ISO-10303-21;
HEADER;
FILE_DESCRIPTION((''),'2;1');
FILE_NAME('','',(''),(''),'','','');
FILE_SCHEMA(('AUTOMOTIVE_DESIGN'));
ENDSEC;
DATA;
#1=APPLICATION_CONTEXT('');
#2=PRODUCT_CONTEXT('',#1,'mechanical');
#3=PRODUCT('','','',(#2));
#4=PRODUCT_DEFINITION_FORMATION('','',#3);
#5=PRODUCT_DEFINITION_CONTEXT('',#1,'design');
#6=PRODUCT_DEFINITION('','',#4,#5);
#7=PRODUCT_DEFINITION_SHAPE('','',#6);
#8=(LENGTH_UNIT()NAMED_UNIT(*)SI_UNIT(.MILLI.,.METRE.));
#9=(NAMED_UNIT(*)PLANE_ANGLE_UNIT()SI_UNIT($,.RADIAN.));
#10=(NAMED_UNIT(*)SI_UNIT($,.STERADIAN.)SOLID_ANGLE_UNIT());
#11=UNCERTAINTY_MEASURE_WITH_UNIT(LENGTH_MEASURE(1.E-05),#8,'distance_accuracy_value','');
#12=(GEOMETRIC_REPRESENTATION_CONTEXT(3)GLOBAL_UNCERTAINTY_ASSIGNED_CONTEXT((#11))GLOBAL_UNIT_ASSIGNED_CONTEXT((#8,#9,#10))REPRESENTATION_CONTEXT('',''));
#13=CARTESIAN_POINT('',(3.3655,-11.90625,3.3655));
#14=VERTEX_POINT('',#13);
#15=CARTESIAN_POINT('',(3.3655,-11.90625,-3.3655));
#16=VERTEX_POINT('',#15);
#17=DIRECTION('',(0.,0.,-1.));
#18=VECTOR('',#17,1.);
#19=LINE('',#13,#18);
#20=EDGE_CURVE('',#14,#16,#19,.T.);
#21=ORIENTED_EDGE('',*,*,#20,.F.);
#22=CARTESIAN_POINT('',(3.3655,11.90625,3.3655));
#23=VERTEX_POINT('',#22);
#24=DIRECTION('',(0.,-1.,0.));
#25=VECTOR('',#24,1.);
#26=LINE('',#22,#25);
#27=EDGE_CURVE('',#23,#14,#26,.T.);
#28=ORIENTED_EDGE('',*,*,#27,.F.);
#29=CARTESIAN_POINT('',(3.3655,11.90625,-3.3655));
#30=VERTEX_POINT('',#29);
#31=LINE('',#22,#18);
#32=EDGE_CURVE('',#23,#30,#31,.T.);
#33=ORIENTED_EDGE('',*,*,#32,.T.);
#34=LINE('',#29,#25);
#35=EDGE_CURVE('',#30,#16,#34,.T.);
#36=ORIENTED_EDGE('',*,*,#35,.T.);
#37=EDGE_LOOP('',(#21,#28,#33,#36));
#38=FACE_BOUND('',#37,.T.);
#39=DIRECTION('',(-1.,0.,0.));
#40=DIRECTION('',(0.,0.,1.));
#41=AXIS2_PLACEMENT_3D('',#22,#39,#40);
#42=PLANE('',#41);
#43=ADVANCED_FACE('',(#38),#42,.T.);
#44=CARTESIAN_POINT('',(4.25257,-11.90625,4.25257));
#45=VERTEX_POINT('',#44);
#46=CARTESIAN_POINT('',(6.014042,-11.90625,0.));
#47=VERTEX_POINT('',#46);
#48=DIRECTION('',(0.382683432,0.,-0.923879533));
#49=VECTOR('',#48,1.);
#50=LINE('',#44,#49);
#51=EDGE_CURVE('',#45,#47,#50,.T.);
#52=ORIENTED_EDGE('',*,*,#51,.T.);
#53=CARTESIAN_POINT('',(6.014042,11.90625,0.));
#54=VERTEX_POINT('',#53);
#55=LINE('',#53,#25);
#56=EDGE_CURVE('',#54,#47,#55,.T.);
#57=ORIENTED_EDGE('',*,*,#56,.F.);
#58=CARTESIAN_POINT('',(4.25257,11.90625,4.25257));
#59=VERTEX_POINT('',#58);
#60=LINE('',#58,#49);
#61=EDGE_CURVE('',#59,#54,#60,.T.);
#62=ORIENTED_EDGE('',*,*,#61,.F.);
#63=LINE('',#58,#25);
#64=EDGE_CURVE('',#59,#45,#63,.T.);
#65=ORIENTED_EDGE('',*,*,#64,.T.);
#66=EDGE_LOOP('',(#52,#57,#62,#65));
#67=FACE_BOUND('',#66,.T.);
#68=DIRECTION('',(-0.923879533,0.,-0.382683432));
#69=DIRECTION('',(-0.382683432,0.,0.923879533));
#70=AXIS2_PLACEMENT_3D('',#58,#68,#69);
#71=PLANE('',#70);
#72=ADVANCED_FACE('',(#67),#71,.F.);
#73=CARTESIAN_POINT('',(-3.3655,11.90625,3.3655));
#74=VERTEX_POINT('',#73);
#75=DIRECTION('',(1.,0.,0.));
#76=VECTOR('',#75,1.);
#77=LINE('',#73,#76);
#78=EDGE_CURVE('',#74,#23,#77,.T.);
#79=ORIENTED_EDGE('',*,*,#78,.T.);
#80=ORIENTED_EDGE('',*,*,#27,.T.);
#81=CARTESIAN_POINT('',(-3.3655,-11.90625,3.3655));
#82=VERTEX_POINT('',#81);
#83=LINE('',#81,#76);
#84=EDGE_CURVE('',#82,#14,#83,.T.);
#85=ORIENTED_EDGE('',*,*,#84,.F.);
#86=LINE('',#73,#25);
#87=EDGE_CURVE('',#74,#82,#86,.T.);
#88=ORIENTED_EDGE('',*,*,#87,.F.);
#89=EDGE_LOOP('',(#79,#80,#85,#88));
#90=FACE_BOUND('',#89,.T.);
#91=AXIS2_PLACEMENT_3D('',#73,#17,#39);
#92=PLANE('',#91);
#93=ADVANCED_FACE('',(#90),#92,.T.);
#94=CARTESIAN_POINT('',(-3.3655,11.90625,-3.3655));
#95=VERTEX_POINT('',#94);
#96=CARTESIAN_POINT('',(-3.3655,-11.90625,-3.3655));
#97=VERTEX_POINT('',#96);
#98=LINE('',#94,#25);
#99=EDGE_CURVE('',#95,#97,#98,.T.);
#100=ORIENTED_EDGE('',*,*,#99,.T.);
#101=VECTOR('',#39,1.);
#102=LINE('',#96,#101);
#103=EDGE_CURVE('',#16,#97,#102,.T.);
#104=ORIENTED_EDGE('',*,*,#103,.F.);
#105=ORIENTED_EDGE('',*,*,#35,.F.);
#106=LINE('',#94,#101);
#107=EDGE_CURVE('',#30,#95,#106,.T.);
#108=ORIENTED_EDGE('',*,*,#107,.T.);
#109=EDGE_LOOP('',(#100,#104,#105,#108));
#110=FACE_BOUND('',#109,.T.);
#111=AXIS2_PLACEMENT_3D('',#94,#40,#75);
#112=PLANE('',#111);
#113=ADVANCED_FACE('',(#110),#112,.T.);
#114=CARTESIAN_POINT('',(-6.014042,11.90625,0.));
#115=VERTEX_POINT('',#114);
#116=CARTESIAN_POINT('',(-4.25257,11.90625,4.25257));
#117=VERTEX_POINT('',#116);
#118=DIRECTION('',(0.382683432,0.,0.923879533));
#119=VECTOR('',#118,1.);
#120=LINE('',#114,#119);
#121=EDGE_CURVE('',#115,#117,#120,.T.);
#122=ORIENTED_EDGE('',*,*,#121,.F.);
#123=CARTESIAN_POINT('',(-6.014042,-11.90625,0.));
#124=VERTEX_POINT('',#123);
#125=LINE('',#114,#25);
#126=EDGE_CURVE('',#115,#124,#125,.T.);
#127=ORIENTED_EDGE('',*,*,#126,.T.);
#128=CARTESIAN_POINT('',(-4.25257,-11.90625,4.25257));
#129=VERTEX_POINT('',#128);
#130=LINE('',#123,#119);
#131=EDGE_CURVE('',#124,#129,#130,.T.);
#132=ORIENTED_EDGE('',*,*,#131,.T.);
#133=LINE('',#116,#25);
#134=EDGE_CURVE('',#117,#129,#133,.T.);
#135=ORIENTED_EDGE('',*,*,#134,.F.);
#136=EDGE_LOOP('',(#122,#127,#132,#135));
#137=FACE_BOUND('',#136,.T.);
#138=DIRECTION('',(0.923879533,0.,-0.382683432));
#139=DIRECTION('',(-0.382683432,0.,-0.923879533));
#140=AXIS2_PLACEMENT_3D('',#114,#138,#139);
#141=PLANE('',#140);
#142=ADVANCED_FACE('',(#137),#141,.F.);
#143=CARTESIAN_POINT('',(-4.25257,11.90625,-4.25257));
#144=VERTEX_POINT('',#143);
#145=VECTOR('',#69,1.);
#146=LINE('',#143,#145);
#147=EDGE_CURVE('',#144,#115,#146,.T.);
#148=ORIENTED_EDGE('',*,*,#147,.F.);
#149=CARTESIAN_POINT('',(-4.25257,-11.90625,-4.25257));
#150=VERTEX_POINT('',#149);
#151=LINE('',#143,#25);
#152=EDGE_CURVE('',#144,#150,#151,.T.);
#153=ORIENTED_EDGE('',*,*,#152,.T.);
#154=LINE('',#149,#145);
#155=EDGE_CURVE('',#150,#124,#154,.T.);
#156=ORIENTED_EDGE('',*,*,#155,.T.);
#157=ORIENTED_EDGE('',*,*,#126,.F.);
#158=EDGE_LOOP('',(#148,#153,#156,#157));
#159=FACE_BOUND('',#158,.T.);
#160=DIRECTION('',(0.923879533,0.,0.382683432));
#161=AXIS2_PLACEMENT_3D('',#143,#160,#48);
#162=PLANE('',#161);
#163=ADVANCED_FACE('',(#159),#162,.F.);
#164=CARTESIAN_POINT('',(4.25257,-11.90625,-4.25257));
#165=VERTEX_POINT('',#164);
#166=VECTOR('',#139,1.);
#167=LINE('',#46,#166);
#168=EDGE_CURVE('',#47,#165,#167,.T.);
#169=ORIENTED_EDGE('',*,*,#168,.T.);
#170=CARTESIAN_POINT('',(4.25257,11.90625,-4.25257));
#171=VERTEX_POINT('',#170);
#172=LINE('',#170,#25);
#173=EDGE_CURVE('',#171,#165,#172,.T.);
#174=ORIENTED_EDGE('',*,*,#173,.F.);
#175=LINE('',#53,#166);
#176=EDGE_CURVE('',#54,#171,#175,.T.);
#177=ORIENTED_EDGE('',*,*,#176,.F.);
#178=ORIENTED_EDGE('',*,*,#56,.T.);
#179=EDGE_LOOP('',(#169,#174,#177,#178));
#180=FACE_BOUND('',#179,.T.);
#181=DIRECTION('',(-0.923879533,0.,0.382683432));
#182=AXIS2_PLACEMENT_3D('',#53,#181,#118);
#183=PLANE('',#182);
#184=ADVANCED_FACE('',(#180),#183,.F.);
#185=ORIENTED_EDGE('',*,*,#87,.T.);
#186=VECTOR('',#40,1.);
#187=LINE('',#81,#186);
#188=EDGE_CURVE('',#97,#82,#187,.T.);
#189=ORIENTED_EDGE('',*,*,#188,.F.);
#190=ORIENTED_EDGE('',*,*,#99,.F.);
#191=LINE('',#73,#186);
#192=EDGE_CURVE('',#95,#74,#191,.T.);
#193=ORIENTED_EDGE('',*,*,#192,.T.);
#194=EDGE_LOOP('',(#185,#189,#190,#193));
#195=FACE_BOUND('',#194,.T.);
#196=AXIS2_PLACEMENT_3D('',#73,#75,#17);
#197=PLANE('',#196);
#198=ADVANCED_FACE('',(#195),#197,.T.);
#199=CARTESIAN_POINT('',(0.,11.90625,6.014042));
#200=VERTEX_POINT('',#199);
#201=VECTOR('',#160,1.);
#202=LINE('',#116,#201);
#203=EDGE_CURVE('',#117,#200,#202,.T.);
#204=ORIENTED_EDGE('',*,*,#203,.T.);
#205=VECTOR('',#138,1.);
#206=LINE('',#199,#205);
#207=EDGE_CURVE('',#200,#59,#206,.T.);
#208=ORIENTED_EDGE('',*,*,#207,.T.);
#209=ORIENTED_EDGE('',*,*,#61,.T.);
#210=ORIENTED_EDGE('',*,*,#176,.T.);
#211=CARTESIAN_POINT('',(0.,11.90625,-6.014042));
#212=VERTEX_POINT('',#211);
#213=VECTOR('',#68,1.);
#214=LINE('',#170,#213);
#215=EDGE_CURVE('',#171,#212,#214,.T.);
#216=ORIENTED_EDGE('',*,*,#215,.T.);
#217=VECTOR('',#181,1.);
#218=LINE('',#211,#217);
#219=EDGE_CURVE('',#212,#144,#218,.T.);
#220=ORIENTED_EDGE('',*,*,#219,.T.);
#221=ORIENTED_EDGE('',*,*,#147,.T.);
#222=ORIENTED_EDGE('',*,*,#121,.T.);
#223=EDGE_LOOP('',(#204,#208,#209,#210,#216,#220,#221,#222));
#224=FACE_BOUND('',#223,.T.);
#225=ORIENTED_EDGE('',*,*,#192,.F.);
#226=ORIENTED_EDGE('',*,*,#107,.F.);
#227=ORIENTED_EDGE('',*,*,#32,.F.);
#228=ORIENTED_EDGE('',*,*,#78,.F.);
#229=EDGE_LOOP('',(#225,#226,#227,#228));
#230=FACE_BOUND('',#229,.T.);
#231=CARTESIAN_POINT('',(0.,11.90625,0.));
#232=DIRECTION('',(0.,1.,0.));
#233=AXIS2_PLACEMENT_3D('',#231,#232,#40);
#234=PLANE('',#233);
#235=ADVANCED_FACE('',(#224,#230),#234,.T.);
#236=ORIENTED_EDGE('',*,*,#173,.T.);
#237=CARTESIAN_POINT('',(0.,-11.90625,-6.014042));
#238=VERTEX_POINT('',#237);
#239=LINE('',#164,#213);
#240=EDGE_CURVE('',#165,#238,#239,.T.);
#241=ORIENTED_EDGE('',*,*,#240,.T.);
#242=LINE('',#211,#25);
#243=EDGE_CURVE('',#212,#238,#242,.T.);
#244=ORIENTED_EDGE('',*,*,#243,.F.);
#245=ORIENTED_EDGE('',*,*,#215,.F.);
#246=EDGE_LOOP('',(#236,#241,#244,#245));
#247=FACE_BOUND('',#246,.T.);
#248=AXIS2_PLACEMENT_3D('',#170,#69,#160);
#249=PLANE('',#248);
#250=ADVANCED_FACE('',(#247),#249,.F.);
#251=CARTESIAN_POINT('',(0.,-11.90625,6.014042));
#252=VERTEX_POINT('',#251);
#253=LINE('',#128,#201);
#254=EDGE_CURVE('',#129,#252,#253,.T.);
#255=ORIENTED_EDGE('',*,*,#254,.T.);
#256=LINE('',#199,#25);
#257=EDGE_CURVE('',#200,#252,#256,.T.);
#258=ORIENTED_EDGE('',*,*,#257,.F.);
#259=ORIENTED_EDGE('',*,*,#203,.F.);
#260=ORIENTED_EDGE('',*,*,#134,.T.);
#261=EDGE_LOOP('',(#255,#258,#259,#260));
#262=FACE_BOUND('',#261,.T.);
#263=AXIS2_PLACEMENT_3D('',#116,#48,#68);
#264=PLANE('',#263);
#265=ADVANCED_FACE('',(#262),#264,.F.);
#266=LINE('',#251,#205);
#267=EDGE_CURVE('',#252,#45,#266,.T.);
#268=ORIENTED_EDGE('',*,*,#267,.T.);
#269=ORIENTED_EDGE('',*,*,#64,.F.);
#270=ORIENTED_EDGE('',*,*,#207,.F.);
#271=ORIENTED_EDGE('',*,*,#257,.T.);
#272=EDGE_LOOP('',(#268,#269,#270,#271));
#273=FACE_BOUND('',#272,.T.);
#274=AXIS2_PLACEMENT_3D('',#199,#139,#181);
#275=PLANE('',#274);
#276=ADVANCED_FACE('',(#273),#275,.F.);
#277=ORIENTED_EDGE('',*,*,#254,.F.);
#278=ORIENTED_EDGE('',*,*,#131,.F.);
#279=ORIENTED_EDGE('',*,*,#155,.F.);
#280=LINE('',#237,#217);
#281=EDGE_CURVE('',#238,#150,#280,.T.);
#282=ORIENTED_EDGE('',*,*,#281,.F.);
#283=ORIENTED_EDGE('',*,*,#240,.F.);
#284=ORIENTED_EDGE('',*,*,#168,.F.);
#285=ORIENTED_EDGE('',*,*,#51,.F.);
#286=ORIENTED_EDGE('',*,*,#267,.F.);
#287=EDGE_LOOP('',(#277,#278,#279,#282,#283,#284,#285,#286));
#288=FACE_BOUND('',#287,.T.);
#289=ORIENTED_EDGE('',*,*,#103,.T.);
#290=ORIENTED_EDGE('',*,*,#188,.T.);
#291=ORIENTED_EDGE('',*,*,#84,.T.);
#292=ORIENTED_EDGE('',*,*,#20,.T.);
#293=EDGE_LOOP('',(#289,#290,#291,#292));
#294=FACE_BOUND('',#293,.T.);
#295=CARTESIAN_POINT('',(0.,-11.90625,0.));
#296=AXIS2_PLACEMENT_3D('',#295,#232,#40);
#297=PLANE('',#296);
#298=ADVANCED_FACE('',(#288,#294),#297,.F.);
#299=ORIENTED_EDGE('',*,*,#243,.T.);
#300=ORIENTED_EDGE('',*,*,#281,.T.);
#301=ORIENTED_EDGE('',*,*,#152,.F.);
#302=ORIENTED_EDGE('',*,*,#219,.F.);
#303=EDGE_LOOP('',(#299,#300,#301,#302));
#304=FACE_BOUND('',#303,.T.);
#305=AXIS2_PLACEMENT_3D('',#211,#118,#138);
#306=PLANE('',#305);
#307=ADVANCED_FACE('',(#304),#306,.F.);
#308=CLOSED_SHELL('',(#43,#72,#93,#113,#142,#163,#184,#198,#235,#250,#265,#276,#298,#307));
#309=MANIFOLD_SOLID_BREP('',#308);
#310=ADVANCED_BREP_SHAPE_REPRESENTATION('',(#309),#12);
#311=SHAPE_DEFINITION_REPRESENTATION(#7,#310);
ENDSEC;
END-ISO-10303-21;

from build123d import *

# Parameters (mm, degrees)
SKETCH1_W           = 6.731
SKETCH1_H           = 6.731
BOSS_EXTRUDE1_DEPTH = 11.90625


with BuildPart() as part:
    # Sketch1 → Boss-Extrude1 (new, symmetric)
    with BuildSketch(Plane(origin=(0, 0, 0), x_dir=(1, 0, 0), z_dir=(0, 1, 0))):
        Polygon((6.014041663, 0), (4.252569642, 4.252569642), (0, 6.014041663), (-4.252569642, 4.252569642), (-6.014041663, 0), (-4.252569642, -4.252569642), (0, -6.014041663), (4.252569642, -4.252569642), align=None)
        Rectangle(SKETCH1_W, SKETCH1_H, mode=Mode.SUBTRACT)
    extrude(amount=BOSS_EXTRUDE1_DEPTH, both=True)


solid = part.part
